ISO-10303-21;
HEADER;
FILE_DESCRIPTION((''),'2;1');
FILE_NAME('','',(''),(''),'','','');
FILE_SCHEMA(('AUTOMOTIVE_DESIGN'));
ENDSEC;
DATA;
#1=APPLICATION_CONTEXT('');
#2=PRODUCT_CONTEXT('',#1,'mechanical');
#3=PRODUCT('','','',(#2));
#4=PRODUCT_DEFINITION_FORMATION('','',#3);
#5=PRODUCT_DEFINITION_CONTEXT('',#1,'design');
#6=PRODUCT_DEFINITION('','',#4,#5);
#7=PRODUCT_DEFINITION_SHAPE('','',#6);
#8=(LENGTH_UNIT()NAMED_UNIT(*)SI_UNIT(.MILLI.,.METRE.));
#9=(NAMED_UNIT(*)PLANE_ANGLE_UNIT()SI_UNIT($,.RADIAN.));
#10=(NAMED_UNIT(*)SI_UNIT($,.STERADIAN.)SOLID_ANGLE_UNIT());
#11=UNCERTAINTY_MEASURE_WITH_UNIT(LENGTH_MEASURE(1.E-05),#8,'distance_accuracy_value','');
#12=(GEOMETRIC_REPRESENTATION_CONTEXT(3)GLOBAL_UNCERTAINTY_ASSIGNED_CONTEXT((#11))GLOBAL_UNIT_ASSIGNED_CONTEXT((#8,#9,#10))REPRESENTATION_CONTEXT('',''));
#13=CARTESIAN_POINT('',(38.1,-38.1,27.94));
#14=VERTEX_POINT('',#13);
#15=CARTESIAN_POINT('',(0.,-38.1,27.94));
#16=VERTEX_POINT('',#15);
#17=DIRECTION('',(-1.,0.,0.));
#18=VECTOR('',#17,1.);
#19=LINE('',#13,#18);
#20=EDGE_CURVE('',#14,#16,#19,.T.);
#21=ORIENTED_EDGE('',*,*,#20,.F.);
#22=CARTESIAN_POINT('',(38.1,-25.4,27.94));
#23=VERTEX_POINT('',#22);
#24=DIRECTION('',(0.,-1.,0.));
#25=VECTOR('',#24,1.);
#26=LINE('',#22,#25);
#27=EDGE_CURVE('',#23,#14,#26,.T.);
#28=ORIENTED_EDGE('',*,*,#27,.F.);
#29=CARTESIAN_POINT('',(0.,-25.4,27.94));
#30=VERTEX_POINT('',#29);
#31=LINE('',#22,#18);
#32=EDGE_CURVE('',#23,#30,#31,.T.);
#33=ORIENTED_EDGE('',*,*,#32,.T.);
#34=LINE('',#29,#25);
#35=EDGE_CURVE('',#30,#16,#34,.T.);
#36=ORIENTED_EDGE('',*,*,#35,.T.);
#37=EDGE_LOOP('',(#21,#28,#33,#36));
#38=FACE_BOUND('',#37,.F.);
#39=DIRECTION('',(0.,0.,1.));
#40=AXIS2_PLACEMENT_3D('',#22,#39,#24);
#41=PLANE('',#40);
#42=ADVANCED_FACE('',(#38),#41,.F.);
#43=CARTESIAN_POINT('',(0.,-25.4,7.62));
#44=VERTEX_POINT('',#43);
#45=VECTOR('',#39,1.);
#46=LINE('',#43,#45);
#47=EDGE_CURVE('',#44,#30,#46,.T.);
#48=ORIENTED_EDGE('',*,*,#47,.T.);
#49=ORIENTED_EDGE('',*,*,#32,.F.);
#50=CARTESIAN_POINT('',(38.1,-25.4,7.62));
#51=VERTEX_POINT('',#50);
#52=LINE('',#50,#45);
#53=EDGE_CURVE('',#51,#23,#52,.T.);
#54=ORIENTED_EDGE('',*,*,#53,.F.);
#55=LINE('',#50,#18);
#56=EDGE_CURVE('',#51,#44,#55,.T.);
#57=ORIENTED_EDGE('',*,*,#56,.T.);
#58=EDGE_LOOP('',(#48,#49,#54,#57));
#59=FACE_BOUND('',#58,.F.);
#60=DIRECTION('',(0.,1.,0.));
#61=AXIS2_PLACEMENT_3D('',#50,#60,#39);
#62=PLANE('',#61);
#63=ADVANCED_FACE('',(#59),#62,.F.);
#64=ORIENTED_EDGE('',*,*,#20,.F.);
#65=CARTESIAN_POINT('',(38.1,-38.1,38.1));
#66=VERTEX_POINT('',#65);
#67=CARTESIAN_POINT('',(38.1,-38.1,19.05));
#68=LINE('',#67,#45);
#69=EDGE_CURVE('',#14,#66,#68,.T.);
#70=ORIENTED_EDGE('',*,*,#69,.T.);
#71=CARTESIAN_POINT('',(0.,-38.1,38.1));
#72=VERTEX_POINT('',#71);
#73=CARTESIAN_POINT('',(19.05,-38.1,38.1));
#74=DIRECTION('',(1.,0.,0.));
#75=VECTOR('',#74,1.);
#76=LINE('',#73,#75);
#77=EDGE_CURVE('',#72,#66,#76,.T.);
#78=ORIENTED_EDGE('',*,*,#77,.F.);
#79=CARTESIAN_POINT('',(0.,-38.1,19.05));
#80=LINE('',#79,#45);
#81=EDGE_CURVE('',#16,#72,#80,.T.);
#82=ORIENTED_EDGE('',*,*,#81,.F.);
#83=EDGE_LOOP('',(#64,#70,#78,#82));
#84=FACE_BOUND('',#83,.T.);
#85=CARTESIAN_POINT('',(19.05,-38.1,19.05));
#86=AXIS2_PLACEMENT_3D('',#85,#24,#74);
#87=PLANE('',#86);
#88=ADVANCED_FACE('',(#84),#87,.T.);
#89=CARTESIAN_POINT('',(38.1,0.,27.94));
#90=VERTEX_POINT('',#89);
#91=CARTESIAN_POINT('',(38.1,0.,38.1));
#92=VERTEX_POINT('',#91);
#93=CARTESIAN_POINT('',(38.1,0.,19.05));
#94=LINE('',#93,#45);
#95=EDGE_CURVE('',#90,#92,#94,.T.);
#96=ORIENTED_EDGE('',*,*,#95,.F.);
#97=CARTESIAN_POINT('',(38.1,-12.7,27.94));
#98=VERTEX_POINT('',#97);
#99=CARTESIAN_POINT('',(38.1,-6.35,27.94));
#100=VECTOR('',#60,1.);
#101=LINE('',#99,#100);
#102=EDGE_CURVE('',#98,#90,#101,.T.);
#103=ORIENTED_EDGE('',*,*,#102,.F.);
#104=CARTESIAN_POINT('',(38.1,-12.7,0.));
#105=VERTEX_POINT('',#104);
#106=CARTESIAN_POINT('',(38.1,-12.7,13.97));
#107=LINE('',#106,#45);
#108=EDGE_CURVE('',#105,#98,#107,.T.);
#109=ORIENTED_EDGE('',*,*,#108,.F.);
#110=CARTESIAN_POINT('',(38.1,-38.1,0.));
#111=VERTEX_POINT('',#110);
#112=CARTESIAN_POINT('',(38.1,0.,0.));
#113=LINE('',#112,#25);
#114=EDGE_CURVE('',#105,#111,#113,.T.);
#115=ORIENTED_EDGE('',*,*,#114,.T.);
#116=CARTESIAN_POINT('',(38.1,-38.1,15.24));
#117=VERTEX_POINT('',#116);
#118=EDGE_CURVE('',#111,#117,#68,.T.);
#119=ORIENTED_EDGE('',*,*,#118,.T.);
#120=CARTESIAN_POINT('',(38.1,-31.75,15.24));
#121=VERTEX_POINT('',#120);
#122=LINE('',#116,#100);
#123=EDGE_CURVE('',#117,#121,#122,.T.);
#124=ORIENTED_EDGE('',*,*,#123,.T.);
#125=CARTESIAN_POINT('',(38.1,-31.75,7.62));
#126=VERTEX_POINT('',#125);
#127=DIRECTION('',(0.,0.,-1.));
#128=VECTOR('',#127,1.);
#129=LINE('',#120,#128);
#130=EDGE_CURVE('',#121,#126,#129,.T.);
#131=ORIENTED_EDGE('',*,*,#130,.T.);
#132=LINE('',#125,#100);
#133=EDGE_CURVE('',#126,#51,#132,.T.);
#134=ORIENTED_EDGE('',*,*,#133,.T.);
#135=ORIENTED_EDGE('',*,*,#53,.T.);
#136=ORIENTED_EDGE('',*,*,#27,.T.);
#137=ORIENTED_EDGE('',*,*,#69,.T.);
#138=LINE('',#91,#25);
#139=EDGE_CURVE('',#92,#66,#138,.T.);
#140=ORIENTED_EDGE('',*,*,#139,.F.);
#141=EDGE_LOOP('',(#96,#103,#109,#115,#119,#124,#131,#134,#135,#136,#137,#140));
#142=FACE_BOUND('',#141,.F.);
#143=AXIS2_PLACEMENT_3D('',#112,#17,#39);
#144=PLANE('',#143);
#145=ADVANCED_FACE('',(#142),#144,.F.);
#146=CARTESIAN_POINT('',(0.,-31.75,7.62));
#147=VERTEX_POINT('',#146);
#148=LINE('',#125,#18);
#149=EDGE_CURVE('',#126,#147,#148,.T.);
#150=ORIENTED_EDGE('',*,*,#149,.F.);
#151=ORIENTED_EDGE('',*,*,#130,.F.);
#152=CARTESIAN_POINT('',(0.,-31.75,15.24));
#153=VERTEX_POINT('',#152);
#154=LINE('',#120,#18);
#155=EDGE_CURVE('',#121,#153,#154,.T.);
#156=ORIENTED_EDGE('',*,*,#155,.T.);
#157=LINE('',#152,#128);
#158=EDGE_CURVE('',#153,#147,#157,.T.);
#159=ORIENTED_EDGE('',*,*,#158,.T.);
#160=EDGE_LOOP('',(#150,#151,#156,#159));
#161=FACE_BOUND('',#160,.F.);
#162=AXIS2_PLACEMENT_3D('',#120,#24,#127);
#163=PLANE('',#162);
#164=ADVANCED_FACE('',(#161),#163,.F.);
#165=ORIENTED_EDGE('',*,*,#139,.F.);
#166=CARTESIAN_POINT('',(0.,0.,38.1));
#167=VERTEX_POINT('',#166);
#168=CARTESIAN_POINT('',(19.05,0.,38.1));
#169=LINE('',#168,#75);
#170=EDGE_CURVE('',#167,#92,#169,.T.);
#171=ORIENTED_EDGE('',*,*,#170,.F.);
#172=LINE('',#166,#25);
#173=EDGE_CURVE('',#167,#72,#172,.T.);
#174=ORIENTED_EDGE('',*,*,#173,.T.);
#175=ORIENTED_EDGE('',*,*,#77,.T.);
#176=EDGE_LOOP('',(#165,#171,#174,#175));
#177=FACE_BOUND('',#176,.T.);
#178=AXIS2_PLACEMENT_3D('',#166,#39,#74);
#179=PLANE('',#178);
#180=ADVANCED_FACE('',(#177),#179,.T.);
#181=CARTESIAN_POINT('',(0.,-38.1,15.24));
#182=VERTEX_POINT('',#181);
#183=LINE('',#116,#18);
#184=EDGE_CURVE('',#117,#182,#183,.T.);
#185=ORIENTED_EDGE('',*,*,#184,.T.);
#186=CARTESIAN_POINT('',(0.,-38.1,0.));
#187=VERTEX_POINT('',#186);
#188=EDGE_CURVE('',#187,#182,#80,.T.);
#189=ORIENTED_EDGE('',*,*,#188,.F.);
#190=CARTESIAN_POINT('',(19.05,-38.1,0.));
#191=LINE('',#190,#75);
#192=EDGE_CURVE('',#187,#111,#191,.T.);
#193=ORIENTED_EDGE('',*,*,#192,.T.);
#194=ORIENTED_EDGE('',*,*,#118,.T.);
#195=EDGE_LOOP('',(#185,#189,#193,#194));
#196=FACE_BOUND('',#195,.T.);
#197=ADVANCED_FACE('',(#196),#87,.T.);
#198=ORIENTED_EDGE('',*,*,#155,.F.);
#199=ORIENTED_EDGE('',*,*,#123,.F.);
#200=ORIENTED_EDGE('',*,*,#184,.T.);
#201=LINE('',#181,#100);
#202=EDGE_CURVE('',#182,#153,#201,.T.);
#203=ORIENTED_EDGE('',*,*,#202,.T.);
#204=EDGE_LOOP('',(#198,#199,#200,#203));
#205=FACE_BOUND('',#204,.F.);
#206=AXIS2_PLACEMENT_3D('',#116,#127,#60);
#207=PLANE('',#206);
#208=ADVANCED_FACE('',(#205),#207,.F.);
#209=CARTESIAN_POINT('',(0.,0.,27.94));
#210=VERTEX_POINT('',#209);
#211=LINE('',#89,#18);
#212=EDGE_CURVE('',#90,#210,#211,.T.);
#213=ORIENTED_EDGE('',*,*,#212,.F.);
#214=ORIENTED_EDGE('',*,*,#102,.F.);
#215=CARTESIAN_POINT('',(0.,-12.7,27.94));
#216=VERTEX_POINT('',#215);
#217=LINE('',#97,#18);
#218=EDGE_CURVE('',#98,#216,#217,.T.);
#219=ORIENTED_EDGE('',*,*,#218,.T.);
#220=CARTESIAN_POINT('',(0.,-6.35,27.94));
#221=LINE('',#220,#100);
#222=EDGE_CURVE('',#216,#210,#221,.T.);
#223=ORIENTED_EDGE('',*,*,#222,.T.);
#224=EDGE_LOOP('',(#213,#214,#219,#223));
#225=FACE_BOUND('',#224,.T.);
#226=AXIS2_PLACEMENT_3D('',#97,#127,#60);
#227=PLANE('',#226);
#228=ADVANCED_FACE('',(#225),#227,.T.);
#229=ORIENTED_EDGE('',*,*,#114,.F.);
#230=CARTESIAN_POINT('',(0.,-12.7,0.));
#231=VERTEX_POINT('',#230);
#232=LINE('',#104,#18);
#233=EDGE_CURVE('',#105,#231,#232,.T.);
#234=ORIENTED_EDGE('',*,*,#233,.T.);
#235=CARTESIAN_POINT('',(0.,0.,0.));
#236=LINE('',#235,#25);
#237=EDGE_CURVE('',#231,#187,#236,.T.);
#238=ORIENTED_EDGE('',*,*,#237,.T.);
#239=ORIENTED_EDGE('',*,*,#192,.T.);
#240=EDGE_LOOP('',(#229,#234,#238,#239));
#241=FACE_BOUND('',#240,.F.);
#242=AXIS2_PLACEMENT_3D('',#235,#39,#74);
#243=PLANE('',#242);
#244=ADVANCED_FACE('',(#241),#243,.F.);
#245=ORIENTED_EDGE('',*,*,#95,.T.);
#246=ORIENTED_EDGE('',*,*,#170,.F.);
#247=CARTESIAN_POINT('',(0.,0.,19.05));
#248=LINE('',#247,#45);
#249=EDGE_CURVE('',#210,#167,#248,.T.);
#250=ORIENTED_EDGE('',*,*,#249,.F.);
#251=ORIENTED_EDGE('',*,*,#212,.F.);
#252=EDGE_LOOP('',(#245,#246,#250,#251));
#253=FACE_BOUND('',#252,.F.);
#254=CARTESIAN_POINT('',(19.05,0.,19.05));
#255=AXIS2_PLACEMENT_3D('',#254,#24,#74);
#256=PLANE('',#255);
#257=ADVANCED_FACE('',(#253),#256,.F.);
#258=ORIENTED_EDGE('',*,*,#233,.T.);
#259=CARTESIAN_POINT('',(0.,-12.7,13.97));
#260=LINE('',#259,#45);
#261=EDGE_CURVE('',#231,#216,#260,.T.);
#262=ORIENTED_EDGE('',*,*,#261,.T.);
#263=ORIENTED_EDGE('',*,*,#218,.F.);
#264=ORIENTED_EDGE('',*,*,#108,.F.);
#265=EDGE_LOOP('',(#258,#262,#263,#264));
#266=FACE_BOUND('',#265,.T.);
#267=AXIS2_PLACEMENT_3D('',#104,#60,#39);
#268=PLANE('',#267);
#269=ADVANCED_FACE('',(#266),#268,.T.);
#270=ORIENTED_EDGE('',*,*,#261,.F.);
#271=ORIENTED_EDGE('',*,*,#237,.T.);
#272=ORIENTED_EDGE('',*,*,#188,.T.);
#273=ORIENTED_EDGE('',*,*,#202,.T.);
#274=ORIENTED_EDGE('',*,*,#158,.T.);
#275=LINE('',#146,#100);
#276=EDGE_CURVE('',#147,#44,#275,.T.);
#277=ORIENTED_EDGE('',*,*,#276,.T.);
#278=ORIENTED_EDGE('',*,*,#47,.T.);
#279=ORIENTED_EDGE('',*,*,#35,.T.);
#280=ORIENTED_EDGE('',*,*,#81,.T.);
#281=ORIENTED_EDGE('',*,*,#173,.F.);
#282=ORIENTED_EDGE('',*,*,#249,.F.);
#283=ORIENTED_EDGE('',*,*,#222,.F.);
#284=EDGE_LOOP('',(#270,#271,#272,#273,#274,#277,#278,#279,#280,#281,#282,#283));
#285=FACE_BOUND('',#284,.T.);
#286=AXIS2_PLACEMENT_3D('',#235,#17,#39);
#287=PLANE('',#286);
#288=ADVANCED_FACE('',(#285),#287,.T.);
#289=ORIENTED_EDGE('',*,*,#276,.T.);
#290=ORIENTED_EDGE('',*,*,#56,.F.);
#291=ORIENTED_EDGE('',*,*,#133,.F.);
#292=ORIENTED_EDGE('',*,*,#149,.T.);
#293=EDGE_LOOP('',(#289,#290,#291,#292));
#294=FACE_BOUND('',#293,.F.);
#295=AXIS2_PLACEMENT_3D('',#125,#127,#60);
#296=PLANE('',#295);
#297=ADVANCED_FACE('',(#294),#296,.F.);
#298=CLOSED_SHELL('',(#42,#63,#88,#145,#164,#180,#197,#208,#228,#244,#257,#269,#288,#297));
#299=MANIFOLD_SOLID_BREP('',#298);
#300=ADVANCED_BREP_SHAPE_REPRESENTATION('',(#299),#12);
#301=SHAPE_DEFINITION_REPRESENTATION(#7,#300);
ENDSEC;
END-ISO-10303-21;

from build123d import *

# Parameters (mm, degrees)
F0_W     = 38.1
F0_H     = 38.1
F1_DEPTH = 38.1
F4_W     = 12.7
F4_H     = 27.94
F5_DEPTH = 38.1


with BuildPart() as f1:
    # F0 (on Front) → F1 (new body)
    with BuildSketch(Plane.XZ):
        with Locations((19.05, 19.05)):
            Rectangle(F0_W, F0_H)
    extrude(amount=F1_DEPTH)

    # F4 (on offset) → F5 (cut)
    with BuildSketch(Plane.YZ.offset(38.1)):
        Polygon((-38.1, 27.94), (-38.1, 15.24), (-31.75, 15.24), (-31.75, 7.62), (-25.4, 7.62), (-25.4, 27.94), align=None)
        with Locations((-6.35, 13.97)):
            Rectangle(F4_W, F4_H)
    extrude(amount=-F5_DEPTH, mode=Mode.SUBTRACT)


solid = f1.part
